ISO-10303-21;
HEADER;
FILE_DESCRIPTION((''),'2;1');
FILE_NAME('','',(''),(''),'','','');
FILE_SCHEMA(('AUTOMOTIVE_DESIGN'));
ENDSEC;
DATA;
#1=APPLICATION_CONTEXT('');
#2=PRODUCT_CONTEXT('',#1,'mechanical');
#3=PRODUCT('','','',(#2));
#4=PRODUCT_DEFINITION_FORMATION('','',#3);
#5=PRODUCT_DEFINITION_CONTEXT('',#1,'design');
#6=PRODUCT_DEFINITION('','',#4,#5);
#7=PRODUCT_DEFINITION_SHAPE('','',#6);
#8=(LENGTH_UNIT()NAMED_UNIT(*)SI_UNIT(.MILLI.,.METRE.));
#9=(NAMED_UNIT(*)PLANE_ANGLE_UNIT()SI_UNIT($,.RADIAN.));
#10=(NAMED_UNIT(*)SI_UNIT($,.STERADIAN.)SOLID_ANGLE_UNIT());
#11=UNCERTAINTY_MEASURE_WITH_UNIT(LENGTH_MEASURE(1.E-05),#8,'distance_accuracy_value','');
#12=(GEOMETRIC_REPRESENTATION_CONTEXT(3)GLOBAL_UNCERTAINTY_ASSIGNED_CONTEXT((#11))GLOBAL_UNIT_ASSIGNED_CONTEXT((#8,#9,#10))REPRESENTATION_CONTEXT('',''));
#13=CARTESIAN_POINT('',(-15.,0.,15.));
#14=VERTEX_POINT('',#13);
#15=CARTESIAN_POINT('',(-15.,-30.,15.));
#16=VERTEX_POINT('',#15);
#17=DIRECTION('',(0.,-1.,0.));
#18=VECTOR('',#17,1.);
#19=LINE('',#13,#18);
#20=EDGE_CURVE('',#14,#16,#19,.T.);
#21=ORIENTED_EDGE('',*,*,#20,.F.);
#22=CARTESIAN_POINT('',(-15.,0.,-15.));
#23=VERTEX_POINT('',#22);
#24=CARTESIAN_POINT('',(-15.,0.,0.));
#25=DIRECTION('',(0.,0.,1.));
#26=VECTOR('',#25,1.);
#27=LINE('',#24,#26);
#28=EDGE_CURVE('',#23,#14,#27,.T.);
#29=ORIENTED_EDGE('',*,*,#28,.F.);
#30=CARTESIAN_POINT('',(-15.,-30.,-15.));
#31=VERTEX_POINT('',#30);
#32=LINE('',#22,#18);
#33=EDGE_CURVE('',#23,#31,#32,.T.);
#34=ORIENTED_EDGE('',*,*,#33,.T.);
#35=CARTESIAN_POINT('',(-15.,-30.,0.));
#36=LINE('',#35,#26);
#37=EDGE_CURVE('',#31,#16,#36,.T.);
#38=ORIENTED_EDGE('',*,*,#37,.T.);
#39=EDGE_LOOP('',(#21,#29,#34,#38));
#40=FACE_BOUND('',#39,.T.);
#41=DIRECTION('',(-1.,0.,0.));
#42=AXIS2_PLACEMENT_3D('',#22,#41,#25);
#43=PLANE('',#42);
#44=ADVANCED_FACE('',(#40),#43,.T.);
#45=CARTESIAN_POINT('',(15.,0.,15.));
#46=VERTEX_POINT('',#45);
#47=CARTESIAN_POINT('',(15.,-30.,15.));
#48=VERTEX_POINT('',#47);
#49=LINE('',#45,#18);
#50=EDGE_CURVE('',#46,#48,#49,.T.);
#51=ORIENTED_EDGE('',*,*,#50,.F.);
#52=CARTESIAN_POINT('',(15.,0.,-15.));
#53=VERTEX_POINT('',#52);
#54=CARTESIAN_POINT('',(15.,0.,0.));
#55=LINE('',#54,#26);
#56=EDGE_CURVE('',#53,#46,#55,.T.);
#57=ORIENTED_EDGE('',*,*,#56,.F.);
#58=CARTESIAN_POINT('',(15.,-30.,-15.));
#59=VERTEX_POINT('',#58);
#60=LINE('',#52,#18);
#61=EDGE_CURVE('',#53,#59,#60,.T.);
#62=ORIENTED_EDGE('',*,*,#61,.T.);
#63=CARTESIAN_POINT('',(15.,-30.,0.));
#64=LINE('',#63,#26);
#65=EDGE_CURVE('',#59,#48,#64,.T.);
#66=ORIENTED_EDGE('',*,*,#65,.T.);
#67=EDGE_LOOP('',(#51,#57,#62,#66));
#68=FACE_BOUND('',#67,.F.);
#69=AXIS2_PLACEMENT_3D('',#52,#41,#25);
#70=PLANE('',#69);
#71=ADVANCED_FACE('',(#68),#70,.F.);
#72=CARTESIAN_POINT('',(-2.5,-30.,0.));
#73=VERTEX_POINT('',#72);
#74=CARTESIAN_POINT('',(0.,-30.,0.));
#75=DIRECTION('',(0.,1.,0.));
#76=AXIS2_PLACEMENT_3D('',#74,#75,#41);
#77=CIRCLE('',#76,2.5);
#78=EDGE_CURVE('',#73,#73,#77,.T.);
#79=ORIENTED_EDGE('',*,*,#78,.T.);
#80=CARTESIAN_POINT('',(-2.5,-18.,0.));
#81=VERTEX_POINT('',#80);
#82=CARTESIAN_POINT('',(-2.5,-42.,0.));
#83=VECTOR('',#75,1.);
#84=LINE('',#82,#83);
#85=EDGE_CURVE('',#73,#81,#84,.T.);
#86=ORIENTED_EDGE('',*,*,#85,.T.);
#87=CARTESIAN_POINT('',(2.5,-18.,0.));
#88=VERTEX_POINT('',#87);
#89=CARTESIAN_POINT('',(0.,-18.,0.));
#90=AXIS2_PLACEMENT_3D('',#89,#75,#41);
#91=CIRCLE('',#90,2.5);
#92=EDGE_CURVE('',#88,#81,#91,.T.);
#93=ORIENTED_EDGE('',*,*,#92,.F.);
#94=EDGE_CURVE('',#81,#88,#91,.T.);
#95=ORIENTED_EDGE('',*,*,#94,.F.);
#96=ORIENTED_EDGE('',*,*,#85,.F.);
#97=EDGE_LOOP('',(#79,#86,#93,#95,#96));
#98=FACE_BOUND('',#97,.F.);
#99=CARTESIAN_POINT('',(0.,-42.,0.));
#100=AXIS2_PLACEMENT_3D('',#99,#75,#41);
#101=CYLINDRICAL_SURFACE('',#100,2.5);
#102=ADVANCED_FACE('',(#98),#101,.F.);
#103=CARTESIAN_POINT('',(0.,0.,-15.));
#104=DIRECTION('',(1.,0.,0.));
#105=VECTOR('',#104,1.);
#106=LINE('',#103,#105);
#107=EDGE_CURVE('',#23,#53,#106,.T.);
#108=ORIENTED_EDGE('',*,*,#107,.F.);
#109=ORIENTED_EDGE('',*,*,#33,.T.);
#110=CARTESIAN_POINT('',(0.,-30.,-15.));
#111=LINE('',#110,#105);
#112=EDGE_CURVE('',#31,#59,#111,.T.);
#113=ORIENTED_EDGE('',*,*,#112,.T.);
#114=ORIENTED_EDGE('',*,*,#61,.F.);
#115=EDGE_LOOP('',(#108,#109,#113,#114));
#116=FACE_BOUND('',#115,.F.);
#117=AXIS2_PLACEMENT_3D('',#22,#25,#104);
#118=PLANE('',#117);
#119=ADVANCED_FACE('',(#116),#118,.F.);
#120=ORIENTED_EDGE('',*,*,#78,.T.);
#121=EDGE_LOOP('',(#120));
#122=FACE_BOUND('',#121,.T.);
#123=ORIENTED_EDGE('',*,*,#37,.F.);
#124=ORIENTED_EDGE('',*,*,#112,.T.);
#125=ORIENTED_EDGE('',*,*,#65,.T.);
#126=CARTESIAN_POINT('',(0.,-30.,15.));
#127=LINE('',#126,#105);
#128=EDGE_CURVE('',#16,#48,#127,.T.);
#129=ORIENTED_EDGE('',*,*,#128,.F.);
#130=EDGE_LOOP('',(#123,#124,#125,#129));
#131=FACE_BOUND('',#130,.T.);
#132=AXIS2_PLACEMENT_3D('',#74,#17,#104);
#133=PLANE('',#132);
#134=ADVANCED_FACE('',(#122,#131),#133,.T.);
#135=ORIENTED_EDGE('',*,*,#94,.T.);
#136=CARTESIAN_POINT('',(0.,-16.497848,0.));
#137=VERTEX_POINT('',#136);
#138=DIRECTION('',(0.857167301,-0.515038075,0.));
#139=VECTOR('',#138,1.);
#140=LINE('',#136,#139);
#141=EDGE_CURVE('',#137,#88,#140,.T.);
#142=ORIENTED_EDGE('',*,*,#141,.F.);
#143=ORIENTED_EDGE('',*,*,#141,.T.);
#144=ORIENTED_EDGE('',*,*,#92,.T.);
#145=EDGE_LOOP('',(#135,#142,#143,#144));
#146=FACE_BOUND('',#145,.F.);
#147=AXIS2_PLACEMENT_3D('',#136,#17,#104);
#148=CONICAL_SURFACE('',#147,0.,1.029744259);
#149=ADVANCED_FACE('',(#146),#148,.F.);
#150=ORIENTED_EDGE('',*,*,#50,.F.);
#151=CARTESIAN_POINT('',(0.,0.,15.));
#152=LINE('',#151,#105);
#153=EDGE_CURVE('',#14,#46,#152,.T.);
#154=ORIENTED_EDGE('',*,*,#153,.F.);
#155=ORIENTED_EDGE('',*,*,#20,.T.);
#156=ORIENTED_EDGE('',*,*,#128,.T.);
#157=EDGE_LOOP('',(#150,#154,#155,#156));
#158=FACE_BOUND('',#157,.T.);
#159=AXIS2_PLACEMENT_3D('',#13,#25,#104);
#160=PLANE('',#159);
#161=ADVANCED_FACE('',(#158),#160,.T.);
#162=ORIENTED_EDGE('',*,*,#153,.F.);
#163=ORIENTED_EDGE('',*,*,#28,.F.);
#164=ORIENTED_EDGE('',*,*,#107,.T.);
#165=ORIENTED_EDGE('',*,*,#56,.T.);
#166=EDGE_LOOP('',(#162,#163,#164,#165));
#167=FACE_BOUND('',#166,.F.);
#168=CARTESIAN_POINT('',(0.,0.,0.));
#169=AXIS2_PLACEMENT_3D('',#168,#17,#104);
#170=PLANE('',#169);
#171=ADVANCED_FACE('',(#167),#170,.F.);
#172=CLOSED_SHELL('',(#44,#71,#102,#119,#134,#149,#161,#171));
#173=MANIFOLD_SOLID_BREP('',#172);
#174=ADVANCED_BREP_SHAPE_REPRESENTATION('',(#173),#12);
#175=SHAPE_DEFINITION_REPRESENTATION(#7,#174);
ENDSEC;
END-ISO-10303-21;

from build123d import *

# Parameters (mm, degrees)
F0_W     = 30
F0_H     = 30
F1_DEPTH = 30
F3_D     = 5
F3_DEPTH = 12
F3_TIP   = 1.5021515476


with BuildPart() as f1:
    # F0 (on Front) → F1 (new body)
    with BuildSketch(Plane.XZ):
        Rectangle(F0_W, F0_H)
    extrude(amount=F1_DEPTH)

    # F3
    with Locations(Plane.XZ.offset(30)):
        with Locations((0, 0)):
            Hole(F3_D / 2, depth=F3_DEPTH)
            with Locations((0, 0, -(F3_DEPTH + F3_TIP / 2))):  # 118° drill point
                Cone(0, F3_D / 2, F3_TIP, mode=Mode.SUBTRACT)


solid = f1.part
